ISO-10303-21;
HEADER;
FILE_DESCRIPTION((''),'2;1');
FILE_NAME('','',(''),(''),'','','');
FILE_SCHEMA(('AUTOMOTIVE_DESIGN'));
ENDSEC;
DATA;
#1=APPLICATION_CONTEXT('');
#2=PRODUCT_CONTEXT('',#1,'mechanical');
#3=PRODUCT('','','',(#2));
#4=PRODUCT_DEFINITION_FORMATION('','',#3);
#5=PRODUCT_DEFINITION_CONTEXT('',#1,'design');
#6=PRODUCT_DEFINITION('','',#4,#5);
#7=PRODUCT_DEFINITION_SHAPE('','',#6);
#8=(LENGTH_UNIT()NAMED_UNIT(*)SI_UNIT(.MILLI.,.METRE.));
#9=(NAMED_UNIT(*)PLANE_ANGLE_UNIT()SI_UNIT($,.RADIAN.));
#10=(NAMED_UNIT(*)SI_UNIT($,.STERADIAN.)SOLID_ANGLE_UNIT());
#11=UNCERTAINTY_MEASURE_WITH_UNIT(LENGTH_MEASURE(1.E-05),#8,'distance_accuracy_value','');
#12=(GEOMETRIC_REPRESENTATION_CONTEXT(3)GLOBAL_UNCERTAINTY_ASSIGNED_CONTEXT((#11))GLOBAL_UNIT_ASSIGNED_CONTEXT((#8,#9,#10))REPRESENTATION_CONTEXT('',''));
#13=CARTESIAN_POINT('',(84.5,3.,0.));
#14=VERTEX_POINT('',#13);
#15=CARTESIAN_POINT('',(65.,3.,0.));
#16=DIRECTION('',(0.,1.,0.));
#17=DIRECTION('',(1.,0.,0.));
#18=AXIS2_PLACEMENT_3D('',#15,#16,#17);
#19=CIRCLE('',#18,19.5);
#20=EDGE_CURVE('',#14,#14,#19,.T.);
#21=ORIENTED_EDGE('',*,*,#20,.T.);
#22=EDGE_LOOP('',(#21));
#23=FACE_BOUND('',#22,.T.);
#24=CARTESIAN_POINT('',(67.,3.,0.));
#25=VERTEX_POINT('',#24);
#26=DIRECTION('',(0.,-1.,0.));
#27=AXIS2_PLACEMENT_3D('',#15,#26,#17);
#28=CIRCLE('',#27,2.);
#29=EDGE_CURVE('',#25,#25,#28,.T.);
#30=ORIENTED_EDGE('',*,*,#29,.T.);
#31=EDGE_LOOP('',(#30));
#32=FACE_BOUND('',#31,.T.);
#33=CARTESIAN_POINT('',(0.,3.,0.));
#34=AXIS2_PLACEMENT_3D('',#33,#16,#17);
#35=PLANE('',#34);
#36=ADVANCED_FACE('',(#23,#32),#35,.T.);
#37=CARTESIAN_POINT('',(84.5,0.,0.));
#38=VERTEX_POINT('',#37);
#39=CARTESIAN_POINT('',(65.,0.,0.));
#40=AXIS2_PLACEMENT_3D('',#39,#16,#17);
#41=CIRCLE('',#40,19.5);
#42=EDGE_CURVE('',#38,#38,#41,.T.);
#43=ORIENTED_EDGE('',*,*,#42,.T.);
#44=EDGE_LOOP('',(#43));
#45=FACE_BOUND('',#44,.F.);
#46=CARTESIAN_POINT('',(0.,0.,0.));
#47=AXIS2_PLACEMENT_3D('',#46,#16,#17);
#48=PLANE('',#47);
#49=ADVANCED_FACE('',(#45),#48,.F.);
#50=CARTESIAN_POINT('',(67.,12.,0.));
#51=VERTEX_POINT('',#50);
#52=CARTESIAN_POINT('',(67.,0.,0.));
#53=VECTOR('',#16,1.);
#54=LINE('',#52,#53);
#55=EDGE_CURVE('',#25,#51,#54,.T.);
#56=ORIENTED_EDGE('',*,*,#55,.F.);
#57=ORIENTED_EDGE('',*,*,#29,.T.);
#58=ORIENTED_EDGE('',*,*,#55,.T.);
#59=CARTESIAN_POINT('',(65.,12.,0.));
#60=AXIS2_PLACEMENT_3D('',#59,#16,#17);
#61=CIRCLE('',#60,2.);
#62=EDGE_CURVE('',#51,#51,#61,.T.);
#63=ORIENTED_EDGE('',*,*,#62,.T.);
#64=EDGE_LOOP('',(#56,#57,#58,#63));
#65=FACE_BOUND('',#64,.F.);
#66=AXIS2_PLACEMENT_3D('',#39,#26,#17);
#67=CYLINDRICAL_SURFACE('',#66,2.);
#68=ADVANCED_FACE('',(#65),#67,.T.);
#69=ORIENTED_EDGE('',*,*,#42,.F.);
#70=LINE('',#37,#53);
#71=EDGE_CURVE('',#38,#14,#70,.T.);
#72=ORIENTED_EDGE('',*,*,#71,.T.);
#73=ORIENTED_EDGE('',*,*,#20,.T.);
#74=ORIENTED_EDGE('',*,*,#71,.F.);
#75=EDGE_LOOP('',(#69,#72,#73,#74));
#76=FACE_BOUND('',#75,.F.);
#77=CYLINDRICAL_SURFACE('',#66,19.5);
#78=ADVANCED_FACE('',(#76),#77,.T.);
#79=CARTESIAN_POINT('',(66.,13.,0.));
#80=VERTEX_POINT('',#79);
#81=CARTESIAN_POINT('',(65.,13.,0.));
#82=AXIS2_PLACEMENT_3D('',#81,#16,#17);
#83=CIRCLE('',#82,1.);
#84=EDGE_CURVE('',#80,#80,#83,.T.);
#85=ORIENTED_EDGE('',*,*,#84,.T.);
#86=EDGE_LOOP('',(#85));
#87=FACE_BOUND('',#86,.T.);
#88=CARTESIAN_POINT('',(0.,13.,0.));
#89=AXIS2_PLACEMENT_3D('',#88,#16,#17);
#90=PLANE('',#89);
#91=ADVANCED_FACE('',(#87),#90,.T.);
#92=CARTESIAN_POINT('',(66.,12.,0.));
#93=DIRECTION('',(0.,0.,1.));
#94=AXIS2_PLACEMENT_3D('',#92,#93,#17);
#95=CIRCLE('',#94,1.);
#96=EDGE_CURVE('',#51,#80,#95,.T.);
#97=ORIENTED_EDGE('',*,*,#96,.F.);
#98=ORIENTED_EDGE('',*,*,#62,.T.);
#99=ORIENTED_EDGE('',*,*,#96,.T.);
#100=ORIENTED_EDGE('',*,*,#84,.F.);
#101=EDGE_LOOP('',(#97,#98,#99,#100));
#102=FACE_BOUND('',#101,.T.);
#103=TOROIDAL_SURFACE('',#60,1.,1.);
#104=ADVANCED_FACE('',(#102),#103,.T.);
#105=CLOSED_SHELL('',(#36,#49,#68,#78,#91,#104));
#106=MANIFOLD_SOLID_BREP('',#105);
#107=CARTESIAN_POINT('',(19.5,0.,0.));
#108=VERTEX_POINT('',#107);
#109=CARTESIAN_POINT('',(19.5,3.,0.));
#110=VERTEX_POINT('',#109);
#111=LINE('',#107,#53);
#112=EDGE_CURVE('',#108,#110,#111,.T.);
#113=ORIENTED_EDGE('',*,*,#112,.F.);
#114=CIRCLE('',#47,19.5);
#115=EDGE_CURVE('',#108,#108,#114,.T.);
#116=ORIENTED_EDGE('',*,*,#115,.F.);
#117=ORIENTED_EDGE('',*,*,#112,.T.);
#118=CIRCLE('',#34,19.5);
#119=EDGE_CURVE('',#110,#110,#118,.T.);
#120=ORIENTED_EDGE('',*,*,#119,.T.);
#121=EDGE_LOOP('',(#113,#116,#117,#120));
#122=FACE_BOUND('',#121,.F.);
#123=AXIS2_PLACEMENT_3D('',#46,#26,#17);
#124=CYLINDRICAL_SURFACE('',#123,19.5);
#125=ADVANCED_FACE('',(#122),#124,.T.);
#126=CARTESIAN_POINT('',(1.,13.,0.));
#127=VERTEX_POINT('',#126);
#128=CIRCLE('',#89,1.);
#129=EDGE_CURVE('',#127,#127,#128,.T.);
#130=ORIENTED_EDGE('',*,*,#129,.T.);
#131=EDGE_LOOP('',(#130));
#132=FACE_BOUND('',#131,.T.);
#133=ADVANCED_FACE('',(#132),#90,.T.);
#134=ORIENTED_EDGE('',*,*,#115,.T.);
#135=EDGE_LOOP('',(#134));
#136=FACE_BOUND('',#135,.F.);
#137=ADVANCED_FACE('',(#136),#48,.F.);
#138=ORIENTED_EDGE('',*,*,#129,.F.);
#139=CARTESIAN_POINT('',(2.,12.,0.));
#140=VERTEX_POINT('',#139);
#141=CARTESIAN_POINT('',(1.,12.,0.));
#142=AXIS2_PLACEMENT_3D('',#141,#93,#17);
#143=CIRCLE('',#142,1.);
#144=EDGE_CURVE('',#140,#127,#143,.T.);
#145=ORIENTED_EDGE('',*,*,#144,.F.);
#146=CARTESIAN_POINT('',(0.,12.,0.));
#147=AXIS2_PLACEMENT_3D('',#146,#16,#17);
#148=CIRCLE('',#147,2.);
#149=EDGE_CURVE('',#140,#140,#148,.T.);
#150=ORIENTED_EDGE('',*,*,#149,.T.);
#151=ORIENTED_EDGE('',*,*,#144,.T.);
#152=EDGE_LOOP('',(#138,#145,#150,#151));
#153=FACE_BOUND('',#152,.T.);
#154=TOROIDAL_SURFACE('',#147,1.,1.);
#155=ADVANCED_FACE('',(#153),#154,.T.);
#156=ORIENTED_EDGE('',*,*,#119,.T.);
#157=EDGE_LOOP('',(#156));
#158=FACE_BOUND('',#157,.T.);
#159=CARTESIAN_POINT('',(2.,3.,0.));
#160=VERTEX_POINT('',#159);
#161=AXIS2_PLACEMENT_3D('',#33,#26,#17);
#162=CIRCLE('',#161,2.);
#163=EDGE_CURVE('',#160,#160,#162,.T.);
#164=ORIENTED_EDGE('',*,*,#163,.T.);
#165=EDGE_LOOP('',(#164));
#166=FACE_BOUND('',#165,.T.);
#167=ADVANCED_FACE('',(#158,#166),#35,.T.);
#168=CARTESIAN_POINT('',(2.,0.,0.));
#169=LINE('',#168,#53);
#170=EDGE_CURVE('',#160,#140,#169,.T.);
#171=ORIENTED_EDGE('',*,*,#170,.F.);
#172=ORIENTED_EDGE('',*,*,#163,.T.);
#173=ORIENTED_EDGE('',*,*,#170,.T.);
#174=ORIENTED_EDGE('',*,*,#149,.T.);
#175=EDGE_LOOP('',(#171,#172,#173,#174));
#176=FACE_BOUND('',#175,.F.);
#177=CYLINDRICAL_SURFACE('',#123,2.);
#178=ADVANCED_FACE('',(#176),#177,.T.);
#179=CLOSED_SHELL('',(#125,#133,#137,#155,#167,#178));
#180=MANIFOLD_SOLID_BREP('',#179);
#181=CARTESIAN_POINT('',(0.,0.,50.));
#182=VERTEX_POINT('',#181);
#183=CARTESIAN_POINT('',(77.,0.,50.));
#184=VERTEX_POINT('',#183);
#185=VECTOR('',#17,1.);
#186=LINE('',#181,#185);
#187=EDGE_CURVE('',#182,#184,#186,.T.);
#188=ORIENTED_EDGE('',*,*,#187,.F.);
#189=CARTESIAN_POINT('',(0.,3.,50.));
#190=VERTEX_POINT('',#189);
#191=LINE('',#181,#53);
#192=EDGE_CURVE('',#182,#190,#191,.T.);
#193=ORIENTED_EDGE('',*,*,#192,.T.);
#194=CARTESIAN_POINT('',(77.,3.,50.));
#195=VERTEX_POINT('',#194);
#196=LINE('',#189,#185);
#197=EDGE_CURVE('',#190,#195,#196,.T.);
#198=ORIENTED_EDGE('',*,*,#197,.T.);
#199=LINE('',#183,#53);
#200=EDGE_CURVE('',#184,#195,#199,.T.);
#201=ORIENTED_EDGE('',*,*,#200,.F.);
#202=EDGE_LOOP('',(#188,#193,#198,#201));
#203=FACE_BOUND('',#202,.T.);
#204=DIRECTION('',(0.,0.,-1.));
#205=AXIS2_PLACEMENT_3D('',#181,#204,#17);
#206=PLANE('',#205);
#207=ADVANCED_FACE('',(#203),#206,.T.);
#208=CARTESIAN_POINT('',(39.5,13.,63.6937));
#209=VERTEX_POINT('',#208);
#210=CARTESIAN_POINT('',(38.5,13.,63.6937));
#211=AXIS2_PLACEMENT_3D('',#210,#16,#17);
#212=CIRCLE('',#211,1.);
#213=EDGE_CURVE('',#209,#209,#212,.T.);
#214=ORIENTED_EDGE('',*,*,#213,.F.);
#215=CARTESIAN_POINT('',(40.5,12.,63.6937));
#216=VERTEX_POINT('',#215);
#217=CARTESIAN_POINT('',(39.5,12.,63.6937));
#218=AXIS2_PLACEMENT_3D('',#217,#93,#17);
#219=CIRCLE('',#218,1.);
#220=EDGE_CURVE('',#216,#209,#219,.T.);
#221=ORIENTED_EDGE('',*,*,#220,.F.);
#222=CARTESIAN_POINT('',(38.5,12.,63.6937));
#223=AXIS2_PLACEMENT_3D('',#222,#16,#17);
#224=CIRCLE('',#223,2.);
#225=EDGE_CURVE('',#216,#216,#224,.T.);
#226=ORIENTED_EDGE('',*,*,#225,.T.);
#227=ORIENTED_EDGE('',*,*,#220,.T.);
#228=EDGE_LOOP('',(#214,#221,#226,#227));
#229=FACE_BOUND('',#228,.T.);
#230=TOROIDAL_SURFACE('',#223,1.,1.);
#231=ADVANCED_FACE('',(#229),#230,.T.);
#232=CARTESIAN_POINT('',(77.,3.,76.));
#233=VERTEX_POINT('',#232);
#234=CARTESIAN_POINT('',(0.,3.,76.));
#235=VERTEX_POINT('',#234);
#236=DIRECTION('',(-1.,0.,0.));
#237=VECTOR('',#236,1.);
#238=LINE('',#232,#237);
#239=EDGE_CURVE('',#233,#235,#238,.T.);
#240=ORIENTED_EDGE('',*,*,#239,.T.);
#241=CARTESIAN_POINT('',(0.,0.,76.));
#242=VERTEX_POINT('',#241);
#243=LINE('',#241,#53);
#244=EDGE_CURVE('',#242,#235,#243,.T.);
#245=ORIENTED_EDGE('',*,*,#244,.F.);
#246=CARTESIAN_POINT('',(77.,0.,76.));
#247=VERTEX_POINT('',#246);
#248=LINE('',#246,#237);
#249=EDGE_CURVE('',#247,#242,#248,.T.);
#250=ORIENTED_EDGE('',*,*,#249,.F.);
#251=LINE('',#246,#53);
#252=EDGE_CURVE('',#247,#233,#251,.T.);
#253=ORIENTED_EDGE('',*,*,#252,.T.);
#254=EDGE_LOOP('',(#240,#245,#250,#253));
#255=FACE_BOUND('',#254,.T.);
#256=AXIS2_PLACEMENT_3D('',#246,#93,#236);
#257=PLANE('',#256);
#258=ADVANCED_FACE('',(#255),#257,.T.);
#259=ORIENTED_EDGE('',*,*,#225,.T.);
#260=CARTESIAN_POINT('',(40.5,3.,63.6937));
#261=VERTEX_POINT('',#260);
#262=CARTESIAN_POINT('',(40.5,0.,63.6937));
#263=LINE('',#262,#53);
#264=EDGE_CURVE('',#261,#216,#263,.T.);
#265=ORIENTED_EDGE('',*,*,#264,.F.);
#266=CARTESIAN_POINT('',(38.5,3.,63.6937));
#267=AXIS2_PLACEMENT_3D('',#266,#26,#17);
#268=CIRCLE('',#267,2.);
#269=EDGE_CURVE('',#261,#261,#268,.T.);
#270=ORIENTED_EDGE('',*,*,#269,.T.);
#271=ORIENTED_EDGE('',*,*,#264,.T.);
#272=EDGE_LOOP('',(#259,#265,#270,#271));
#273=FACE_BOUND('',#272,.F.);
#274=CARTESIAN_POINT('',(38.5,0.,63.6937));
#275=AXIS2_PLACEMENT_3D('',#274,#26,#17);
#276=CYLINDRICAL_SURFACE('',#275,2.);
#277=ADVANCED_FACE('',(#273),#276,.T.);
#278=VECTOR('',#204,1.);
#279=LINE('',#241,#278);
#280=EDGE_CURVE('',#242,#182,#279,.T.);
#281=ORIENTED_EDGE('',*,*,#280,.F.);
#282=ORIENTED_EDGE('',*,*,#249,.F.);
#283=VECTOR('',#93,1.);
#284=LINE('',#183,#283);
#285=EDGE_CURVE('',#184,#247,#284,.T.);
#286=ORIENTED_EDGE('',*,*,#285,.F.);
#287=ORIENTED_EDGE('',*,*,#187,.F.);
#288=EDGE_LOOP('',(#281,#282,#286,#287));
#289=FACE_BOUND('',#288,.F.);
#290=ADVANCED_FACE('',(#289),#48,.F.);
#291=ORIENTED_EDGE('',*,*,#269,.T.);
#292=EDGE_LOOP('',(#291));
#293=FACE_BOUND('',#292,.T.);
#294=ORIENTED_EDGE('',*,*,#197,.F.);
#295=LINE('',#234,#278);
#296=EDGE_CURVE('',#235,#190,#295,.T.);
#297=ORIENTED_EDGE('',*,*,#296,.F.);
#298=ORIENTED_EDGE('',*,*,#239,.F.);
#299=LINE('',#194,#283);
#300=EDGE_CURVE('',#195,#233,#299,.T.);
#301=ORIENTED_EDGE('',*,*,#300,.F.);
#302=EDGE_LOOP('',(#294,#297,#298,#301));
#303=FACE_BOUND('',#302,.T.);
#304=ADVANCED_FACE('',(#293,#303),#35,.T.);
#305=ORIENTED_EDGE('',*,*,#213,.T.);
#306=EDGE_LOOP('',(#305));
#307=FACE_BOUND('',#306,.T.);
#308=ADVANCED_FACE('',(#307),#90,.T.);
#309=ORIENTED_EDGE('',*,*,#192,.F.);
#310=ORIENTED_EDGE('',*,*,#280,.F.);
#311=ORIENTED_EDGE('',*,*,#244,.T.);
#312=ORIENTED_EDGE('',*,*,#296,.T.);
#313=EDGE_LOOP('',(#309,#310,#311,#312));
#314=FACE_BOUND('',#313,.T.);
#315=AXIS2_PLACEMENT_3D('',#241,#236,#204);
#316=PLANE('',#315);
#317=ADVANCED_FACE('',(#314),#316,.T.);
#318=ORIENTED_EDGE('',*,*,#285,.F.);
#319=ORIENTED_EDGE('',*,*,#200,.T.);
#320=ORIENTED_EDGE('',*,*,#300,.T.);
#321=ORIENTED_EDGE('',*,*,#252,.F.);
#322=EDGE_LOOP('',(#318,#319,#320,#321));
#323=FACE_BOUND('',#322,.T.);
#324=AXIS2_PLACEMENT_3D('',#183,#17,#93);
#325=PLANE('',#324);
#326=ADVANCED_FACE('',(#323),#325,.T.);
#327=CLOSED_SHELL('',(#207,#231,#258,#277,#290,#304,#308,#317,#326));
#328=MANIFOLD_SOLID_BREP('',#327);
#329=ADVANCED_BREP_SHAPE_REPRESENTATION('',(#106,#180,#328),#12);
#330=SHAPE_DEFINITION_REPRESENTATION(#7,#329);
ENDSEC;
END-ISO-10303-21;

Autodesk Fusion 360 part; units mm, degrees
sketch "Sketch1" plane through (0, 0, 0) normal (0, 1, 0) x (1, 0, 0)
  circle A0 centre (0, 0) radius 19.5
  dimension "d1" = 39
extrude "Extrude1" add sketch "Sketch1" along normal blind 3 makes body 1
sketch "Sketch2" plane through (0, 0, 0) normal (0, 1, 0) x (1, 0, 0)
  circle A0 centre (0, 0) radius 2
  dimension "d4" = 4
extrude "Extrude2" add sketch "Sketch2" along normal blind 13 bodies 1
fillet "Fillet1" radius 1 1 edges at (-1.8647, 13, 0.7232) on bodies 1
sketch "Sketch3" plane through (0, 0, 0) normal (0, 1, 0) x (1, 0, 0)
  circle A0 centre (65, 0) radius 19.5
  dimension "d8" = 39
extrude "Extrude3" add sketch "Sketch3" along normal blind 3 separate body makes body 2
sketch "Sketch4" plane through (0, 0, 0) normal (0, 1, 0) x (1, 0, 0)
  circle A0 centre (65, 0) radius 2
  dimension "d11" = 4
extrude "Extrude4" add sketch "Sketch4" along normal blind 13 bodies 2
fillet "Fillet2" radius 1 1 edges at (63.1353, 13, 0.7232) on bodies 2
sketch "Sketch5" plane through (0, 0, 0) normal (0, 1, 0) x (1, 0, 0)
  line L0 (0, -50) -> (77, -50)
  line L1 (77, -50) -> (77, -76)
  line L2 (77, -76) -> (0, -76)
  line L3 (0, -76) -> (0, -50)
  dimension "d15" = 77
  dimension "d16" = 26
extrude "Extrude5" add sketch "Sketch5" along normal blind 3 separate body makes body 3
sketch "Sketch6" plane through (0, 0, 0) normal (0, 1, 0) x (1, 0, 0)
  circle A0 centre (38.5, -63.6937) radius 2
  dimension "d19" = 4
extrude "Extrude6" add sketch "Sketch6" along normal blind 13 bodies 3
fillet "Fillet3" radius 1 1 edges at (36.6353, 13, 64.4169) on bodies 3
